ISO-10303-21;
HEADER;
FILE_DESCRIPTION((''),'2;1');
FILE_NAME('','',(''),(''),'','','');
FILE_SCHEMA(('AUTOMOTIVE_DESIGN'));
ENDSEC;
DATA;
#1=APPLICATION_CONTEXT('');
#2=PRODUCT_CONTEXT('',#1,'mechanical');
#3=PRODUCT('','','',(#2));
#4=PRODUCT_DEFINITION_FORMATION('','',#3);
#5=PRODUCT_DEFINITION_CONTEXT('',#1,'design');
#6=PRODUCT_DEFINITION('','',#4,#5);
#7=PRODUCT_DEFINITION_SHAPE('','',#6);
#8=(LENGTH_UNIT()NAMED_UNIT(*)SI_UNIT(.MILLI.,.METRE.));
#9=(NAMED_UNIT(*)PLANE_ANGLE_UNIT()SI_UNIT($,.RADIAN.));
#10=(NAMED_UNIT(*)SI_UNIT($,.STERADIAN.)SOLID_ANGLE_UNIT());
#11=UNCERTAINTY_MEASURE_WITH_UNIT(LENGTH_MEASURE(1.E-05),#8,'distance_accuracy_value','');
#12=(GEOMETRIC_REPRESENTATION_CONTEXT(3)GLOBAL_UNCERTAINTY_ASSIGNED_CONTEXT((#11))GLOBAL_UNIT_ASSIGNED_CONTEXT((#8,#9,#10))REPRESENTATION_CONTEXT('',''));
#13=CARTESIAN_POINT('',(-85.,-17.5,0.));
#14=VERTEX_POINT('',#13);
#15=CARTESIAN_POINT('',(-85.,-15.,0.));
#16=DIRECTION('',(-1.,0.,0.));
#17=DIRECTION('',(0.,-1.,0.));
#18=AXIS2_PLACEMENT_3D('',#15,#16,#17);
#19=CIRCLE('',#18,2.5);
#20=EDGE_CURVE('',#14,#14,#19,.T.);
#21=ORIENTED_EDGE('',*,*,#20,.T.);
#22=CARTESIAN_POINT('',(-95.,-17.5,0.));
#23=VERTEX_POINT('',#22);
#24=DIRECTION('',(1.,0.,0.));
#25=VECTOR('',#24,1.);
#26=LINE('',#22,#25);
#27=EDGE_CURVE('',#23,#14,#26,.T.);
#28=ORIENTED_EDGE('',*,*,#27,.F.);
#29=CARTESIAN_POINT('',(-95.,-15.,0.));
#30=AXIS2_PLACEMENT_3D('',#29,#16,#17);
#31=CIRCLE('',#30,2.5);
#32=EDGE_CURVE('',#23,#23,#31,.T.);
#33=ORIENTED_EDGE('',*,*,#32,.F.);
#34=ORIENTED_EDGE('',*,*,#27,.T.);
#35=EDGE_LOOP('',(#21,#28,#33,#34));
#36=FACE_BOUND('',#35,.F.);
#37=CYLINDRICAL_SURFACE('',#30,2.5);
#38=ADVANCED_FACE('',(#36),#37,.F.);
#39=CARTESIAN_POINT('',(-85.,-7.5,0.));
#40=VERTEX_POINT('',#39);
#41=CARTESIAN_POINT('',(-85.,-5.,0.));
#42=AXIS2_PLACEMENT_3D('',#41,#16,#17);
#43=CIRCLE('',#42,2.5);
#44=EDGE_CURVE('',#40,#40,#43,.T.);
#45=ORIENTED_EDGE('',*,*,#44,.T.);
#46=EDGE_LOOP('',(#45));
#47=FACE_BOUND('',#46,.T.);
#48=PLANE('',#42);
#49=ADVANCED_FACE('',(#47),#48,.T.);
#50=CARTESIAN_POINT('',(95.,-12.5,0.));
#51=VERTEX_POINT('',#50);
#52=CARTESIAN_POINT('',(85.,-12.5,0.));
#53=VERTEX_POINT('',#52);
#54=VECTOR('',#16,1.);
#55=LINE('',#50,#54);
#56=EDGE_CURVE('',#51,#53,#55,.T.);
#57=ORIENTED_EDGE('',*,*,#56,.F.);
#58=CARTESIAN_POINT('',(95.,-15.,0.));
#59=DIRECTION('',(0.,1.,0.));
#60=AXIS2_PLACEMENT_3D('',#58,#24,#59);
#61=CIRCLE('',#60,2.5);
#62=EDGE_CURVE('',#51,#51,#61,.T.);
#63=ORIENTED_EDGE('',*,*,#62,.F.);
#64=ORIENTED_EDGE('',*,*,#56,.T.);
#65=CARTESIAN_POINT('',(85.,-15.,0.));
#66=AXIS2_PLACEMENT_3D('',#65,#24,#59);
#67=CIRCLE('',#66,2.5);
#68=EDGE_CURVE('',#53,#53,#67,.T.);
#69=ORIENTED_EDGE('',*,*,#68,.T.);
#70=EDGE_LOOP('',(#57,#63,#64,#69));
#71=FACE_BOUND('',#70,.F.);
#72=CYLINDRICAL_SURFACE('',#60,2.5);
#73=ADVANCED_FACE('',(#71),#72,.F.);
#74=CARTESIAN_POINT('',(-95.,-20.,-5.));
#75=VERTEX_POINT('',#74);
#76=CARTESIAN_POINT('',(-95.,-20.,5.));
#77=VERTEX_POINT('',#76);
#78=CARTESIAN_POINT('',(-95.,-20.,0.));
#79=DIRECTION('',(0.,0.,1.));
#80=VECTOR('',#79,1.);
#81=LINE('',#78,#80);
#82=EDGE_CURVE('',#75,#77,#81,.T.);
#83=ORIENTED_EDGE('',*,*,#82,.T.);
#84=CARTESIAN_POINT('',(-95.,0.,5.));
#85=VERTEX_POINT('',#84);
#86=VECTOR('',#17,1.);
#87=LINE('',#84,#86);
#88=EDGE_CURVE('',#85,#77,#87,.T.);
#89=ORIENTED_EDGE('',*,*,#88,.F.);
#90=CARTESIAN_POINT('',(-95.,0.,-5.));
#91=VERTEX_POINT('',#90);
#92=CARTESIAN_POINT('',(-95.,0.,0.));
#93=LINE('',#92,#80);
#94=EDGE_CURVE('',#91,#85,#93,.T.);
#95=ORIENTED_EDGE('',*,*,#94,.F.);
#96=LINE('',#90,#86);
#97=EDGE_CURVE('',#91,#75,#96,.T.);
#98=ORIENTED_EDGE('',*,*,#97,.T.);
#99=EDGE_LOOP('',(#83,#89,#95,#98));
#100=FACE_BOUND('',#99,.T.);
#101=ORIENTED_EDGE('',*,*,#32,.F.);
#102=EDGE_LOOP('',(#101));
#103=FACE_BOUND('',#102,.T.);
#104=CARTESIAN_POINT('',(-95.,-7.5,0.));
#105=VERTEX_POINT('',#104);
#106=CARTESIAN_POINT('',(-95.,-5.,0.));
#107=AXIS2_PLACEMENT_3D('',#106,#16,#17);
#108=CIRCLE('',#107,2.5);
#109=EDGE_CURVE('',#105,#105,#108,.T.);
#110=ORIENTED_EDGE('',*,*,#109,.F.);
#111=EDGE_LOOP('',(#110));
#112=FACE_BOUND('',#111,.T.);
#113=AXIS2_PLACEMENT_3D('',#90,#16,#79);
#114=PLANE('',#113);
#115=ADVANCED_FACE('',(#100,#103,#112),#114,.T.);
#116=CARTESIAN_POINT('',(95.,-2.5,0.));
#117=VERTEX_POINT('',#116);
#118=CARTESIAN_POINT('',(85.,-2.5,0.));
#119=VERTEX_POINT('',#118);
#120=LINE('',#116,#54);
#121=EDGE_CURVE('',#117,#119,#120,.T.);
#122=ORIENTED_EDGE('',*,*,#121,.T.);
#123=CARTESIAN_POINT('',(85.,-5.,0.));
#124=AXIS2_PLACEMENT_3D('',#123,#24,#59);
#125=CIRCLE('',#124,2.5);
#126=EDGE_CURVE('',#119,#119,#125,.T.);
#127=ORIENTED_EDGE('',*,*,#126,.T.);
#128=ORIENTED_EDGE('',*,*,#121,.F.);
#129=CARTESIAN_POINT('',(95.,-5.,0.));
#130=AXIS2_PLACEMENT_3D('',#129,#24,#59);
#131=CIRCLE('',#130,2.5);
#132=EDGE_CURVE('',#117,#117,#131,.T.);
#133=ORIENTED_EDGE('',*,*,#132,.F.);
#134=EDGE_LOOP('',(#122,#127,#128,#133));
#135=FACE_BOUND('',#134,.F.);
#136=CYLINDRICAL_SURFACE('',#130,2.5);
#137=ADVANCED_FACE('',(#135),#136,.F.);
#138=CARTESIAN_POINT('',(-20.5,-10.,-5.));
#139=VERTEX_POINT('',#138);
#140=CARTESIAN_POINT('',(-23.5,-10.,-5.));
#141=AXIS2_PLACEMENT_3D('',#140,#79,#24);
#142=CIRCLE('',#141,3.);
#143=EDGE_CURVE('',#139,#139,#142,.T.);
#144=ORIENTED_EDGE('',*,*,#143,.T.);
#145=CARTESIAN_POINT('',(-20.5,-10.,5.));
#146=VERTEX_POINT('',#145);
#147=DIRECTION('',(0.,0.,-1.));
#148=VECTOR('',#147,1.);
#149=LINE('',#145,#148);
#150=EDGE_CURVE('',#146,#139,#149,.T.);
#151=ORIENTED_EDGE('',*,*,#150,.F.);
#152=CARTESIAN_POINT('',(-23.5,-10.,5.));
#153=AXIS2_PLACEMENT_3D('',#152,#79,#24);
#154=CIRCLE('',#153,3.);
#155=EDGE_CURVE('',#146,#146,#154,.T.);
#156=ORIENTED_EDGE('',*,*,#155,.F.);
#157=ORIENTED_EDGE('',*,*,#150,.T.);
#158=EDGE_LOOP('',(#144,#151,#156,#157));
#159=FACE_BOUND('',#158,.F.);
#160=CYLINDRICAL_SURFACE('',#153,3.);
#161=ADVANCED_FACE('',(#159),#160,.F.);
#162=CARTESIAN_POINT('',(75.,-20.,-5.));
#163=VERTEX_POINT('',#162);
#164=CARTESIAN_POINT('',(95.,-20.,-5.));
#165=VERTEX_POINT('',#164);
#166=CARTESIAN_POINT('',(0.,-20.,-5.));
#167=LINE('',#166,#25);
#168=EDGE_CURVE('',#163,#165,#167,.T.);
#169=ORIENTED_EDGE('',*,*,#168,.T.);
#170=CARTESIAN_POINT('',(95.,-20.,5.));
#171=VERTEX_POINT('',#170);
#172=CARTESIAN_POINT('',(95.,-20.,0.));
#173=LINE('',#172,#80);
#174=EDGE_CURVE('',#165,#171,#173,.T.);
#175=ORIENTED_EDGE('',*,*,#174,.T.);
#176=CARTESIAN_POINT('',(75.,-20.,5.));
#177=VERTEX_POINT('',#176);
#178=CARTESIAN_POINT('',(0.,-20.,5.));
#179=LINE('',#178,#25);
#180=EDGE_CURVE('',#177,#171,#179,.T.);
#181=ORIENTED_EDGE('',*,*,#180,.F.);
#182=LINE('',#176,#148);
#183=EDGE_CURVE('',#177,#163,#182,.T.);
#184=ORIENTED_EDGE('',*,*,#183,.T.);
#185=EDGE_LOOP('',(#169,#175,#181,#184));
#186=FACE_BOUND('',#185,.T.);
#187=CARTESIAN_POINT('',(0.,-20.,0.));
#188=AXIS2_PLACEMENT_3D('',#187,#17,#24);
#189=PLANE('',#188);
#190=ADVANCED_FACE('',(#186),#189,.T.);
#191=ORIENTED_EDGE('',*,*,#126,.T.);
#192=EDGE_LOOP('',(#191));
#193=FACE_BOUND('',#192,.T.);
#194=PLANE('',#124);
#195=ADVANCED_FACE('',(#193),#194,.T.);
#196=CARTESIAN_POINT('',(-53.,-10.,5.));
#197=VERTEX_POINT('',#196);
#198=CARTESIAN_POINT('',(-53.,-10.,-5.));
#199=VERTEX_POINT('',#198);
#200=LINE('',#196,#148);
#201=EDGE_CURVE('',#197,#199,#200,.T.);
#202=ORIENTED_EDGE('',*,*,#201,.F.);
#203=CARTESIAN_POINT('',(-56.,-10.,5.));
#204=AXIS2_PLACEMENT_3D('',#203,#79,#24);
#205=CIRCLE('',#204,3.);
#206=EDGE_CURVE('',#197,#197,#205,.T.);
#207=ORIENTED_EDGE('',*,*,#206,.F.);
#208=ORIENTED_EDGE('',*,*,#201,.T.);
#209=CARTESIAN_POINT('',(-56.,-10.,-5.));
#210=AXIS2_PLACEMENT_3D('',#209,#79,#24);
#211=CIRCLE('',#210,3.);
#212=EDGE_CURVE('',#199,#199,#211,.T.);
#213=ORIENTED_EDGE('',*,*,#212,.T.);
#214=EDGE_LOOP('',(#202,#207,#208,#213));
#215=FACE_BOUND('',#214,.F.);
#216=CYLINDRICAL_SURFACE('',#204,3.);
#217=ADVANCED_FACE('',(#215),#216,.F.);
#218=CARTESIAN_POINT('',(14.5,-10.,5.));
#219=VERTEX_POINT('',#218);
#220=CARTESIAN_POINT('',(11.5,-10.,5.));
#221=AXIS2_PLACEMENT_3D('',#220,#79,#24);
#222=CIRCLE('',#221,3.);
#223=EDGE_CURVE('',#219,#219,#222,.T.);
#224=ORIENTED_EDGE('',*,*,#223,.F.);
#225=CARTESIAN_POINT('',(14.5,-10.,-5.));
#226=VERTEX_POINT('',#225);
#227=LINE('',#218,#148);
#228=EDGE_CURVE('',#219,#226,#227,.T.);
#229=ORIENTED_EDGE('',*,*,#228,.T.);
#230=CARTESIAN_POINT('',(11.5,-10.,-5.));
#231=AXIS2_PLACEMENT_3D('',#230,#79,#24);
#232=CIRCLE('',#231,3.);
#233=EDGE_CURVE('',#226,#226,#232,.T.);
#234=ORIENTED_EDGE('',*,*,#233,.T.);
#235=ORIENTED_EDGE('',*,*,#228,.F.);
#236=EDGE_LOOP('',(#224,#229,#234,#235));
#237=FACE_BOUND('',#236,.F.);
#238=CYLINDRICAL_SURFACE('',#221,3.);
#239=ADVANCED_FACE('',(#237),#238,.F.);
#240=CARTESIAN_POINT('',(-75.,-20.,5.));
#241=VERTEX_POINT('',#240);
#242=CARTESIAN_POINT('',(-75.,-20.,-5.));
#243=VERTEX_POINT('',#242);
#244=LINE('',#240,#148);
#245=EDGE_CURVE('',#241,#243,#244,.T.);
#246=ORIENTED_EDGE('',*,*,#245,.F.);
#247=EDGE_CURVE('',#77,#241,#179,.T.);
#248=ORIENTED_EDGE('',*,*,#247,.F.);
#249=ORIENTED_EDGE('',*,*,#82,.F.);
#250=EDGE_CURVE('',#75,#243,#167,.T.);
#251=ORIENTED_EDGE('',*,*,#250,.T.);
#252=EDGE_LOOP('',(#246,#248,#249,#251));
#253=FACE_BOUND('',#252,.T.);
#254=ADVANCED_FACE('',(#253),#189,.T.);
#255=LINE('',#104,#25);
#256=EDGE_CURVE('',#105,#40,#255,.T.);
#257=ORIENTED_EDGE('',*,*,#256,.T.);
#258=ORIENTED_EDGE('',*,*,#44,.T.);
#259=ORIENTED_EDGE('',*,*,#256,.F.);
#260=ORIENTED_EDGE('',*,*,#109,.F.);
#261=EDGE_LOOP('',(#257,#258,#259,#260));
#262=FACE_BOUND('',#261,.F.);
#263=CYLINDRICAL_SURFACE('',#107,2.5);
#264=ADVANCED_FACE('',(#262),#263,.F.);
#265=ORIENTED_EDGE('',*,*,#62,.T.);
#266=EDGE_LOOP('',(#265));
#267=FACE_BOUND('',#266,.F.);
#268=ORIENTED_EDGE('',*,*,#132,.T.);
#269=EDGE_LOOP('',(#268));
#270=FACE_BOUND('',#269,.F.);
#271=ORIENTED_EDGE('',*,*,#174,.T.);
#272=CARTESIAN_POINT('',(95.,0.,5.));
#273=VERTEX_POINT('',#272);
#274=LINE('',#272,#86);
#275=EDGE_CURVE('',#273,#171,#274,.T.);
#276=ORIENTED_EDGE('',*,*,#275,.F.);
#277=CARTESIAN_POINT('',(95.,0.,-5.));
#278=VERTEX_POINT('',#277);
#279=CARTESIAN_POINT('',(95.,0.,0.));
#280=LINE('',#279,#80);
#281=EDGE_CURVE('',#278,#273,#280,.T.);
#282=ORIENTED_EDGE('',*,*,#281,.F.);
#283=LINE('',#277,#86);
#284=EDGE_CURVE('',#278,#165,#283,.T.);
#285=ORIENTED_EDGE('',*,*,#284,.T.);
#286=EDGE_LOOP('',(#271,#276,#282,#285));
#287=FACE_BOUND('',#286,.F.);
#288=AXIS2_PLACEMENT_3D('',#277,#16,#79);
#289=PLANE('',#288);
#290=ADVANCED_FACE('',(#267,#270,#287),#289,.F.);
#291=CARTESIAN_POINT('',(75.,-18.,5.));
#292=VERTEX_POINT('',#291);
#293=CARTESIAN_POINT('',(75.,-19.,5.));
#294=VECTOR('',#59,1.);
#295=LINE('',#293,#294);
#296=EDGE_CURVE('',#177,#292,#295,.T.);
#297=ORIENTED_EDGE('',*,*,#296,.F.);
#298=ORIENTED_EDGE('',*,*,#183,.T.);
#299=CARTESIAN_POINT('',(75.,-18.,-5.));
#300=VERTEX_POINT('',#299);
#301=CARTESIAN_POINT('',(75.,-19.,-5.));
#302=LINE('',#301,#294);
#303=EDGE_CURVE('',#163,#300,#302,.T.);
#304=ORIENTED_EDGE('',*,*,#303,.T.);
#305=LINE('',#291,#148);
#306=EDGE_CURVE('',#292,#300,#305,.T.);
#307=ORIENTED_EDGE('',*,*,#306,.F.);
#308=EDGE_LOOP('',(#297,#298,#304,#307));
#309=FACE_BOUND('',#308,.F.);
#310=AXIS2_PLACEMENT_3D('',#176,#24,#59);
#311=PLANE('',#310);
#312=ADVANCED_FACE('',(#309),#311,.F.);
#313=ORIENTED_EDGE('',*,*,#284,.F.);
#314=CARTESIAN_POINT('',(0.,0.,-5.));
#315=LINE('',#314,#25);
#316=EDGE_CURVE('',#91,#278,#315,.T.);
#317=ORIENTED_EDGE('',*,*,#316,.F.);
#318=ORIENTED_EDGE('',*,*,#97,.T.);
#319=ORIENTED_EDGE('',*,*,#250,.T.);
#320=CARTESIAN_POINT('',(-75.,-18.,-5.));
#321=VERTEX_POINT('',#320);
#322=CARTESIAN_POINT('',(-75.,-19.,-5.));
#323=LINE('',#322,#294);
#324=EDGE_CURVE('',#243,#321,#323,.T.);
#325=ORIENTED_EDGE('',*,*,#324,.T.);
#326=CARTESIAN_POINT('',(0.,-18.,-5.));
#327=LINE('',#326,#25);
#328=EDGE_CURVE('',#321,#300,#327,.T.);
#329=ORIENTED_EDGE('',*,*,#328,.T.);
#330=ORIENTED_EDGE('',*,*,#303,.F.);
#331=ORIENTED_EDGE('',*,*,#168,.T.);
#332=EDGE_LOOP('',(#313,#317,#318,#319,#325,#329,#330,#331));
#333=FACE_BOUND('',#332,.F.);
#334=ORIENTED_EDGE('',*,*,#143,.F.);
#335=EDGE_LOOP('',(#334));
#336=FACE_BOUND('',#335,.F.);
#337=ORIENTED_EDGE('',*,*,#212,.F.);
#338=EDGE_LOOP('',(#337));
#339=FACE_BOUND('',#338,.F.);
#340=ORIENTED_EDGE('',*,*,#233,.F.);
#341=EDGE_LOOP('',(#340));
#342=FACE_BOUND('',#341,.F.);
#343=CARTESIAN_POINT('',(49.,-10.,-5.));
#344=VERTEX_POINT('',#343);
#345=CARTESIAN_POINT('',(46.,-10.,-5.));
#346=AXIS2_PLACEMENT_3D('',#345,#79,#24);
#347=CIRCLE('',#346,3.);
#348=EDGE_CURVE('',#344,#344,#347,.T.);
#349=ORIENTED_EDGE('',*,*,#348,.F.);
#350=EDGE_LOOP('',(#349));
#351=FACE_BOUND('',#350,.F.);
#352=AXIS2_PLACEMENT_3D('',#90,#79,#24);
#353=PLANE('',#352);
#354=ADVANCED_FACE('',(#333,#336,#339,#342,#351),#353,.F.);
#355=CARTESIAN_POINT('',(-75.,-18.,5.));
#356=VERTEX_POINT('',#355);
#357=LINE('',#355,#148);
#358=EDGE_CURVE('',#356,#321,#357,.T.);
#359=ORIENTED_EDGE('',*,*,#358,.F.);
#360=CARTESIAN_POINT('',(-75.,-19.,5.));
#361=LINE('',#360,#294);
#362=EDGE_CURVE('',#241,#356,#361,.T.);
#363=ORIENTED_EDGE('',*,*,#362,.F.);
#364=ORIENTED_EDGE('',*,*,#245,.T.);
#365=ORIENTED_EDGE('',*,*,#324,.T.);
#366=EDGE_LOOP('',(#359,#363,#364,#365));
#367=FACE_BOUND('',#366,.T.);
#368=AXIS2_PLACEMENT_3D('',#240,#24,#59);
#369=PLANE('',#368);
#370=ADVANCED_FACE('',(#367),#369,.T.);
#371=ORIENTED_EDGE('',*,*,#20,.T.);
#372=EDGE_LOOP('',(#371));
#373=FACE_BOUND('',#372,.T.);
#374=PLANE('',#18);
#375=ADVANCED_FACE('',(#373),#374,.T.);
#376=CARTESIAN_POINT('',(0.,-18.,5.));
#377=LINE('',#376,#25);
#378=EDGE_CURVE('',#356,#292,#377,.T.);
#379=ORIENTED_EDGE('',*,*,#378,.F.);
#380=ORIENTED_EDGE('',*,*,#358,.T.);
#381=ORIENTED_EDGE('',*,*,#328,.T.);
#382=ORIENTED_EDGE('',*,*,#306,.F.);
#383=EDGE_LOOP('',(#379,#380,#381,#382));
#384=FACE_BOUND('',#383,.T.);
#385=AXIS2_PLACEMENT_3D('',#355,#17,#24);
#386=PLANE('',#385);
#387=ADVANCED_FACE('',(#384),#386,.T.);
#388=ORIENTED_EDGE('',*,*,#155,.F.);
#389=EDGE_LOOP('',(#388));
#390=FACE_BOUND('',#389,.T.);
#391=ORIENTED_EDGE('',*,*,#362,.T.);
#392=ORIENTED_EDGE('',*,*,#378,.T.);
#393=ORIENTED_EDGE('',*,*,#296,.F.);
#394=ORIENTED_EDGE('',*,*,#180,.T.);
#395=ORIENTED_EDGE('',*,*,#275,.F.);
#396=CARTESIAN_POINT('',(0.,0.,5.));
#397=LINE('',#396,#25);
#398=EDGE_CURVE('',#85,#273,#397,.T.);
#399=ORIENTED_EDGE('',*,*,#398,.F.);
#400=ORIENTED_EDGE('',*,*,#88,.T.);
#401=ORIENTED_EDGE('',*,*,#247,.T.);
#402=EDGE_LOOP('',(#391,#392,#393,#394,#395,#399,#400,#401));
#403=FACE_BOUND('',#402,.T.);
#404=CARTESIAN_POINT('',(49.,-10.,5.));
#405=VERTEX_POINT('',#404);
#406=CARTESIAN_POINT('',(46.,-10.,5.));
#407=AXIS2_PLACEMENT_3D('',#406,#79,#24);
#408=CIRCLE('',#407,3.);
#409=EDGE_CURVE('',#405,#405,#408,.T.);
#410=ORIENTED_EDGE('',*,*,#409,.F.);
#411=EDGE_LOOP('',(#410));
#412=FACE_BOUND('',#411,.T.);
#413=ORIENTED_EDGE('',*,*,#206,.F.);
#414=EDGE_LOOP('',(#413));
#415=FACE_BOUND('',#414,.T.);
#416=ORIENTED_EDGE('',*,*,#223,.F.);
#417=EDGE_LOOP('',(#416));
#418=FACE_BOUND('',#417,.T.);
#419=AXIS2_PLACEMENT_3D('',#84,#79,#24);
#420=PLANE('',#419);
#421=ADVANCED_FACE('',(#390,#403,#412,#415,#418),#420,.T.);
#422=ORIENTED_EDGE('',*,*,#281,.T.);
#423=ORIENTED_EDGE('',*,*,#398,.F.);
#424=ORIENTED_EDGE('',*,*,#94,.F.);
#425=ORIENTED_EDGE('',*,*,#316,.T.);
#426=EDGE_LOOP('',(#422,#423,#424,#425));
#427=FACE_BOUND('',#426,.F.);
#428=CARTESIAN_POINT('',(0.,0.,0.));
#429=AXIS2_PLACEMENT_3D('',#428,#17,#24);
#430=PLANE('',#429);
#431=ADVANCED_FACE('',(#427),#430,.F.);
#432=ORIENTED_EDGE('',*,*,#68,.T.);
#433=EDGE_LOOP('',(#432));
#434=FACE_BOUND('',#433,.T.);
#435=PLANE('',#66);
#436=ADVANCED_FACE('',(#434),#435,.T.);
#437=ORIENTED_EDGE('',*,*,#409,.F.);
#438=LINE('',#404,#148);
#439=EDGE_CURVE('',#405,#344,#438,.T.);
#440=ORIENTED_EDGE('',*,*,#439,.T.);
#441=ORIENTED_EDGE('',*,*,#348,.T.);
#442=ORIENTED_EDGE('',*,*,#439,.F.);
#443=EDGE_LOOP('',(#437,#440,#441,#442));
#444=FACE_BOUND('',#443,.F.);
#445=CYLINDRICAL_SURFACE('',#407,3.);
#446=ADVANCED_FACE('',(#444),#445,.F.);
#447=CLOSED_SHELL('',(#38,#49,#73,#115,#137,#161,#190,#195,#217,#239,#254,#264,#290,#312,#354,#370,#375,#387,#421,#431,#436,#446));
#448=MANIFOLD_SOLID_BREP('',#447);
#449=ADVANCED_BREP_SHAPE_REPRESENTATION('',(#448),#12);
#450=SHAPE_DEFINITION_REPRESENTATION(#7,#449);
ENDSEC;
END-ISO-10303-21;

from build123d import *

# Parameters (mm, degrees)
F0_W     = 190
F0_H     = 10
F1_DEPTH = 20
F2_R     = 3
F2_W     = 150
F2_H     = 2
F3_DEPTH = 10
F4_R     = 2.5
F5_DEPTH = 10
F6_R     = 2.5
F7_DEPTH = 10


with BuildPart() as f1:
    # F0 (on Front) → F1 (new body)
    with BuildSketch(Plane.XZ):
        Rectangle(F0_W, F0_H)
    extrude(amount=F1_DEPTH)

    # F2 (on face) → F3 (cut)
    with BuildSketch(Plane.XY.offset(5)):
        with Locations((-56, -10)):
            Circle(F2_R)
        with Locations((-23.5, -10)):
            Circle(F2_R)
        with Locations((11.5, -10)):
            Circle(F2_R)
        with Locations((46, -10)):
            Circle(F2_R)
        with Locations((0, -19)):
            Rectangle(F2_W, F2_H)
    extrude(amount=-F3_DEPTH, mode=Mode.SUBTRACT)

    # F4 (on face) → F5 (cut)
    with BuildSketch(Plane(origin=(-95, 0, 0), x_dir=(0, -1, 0), z_dir=(-1, 0, 0))):
        with Locations((5, 0)):
            Circle(F4_R)
        with Locations((15, 0)):
            Circle(F4_R)
    extrude(amount=-F5_DEPTH, mode=Mode.SUBTRACT)

    # F6 (on face) → F7 (cut)
    with BuildSketch(Plane.YZ.offset(95)):
        with Locations((-5, 0)):
            Circle(F6_R)
        with Locations((-15, 0)):
            Circle(F6_R)
    extrude(amount=-F7_DEPTH, mode=Mode.SUBTRACT)


solid = f1.part
